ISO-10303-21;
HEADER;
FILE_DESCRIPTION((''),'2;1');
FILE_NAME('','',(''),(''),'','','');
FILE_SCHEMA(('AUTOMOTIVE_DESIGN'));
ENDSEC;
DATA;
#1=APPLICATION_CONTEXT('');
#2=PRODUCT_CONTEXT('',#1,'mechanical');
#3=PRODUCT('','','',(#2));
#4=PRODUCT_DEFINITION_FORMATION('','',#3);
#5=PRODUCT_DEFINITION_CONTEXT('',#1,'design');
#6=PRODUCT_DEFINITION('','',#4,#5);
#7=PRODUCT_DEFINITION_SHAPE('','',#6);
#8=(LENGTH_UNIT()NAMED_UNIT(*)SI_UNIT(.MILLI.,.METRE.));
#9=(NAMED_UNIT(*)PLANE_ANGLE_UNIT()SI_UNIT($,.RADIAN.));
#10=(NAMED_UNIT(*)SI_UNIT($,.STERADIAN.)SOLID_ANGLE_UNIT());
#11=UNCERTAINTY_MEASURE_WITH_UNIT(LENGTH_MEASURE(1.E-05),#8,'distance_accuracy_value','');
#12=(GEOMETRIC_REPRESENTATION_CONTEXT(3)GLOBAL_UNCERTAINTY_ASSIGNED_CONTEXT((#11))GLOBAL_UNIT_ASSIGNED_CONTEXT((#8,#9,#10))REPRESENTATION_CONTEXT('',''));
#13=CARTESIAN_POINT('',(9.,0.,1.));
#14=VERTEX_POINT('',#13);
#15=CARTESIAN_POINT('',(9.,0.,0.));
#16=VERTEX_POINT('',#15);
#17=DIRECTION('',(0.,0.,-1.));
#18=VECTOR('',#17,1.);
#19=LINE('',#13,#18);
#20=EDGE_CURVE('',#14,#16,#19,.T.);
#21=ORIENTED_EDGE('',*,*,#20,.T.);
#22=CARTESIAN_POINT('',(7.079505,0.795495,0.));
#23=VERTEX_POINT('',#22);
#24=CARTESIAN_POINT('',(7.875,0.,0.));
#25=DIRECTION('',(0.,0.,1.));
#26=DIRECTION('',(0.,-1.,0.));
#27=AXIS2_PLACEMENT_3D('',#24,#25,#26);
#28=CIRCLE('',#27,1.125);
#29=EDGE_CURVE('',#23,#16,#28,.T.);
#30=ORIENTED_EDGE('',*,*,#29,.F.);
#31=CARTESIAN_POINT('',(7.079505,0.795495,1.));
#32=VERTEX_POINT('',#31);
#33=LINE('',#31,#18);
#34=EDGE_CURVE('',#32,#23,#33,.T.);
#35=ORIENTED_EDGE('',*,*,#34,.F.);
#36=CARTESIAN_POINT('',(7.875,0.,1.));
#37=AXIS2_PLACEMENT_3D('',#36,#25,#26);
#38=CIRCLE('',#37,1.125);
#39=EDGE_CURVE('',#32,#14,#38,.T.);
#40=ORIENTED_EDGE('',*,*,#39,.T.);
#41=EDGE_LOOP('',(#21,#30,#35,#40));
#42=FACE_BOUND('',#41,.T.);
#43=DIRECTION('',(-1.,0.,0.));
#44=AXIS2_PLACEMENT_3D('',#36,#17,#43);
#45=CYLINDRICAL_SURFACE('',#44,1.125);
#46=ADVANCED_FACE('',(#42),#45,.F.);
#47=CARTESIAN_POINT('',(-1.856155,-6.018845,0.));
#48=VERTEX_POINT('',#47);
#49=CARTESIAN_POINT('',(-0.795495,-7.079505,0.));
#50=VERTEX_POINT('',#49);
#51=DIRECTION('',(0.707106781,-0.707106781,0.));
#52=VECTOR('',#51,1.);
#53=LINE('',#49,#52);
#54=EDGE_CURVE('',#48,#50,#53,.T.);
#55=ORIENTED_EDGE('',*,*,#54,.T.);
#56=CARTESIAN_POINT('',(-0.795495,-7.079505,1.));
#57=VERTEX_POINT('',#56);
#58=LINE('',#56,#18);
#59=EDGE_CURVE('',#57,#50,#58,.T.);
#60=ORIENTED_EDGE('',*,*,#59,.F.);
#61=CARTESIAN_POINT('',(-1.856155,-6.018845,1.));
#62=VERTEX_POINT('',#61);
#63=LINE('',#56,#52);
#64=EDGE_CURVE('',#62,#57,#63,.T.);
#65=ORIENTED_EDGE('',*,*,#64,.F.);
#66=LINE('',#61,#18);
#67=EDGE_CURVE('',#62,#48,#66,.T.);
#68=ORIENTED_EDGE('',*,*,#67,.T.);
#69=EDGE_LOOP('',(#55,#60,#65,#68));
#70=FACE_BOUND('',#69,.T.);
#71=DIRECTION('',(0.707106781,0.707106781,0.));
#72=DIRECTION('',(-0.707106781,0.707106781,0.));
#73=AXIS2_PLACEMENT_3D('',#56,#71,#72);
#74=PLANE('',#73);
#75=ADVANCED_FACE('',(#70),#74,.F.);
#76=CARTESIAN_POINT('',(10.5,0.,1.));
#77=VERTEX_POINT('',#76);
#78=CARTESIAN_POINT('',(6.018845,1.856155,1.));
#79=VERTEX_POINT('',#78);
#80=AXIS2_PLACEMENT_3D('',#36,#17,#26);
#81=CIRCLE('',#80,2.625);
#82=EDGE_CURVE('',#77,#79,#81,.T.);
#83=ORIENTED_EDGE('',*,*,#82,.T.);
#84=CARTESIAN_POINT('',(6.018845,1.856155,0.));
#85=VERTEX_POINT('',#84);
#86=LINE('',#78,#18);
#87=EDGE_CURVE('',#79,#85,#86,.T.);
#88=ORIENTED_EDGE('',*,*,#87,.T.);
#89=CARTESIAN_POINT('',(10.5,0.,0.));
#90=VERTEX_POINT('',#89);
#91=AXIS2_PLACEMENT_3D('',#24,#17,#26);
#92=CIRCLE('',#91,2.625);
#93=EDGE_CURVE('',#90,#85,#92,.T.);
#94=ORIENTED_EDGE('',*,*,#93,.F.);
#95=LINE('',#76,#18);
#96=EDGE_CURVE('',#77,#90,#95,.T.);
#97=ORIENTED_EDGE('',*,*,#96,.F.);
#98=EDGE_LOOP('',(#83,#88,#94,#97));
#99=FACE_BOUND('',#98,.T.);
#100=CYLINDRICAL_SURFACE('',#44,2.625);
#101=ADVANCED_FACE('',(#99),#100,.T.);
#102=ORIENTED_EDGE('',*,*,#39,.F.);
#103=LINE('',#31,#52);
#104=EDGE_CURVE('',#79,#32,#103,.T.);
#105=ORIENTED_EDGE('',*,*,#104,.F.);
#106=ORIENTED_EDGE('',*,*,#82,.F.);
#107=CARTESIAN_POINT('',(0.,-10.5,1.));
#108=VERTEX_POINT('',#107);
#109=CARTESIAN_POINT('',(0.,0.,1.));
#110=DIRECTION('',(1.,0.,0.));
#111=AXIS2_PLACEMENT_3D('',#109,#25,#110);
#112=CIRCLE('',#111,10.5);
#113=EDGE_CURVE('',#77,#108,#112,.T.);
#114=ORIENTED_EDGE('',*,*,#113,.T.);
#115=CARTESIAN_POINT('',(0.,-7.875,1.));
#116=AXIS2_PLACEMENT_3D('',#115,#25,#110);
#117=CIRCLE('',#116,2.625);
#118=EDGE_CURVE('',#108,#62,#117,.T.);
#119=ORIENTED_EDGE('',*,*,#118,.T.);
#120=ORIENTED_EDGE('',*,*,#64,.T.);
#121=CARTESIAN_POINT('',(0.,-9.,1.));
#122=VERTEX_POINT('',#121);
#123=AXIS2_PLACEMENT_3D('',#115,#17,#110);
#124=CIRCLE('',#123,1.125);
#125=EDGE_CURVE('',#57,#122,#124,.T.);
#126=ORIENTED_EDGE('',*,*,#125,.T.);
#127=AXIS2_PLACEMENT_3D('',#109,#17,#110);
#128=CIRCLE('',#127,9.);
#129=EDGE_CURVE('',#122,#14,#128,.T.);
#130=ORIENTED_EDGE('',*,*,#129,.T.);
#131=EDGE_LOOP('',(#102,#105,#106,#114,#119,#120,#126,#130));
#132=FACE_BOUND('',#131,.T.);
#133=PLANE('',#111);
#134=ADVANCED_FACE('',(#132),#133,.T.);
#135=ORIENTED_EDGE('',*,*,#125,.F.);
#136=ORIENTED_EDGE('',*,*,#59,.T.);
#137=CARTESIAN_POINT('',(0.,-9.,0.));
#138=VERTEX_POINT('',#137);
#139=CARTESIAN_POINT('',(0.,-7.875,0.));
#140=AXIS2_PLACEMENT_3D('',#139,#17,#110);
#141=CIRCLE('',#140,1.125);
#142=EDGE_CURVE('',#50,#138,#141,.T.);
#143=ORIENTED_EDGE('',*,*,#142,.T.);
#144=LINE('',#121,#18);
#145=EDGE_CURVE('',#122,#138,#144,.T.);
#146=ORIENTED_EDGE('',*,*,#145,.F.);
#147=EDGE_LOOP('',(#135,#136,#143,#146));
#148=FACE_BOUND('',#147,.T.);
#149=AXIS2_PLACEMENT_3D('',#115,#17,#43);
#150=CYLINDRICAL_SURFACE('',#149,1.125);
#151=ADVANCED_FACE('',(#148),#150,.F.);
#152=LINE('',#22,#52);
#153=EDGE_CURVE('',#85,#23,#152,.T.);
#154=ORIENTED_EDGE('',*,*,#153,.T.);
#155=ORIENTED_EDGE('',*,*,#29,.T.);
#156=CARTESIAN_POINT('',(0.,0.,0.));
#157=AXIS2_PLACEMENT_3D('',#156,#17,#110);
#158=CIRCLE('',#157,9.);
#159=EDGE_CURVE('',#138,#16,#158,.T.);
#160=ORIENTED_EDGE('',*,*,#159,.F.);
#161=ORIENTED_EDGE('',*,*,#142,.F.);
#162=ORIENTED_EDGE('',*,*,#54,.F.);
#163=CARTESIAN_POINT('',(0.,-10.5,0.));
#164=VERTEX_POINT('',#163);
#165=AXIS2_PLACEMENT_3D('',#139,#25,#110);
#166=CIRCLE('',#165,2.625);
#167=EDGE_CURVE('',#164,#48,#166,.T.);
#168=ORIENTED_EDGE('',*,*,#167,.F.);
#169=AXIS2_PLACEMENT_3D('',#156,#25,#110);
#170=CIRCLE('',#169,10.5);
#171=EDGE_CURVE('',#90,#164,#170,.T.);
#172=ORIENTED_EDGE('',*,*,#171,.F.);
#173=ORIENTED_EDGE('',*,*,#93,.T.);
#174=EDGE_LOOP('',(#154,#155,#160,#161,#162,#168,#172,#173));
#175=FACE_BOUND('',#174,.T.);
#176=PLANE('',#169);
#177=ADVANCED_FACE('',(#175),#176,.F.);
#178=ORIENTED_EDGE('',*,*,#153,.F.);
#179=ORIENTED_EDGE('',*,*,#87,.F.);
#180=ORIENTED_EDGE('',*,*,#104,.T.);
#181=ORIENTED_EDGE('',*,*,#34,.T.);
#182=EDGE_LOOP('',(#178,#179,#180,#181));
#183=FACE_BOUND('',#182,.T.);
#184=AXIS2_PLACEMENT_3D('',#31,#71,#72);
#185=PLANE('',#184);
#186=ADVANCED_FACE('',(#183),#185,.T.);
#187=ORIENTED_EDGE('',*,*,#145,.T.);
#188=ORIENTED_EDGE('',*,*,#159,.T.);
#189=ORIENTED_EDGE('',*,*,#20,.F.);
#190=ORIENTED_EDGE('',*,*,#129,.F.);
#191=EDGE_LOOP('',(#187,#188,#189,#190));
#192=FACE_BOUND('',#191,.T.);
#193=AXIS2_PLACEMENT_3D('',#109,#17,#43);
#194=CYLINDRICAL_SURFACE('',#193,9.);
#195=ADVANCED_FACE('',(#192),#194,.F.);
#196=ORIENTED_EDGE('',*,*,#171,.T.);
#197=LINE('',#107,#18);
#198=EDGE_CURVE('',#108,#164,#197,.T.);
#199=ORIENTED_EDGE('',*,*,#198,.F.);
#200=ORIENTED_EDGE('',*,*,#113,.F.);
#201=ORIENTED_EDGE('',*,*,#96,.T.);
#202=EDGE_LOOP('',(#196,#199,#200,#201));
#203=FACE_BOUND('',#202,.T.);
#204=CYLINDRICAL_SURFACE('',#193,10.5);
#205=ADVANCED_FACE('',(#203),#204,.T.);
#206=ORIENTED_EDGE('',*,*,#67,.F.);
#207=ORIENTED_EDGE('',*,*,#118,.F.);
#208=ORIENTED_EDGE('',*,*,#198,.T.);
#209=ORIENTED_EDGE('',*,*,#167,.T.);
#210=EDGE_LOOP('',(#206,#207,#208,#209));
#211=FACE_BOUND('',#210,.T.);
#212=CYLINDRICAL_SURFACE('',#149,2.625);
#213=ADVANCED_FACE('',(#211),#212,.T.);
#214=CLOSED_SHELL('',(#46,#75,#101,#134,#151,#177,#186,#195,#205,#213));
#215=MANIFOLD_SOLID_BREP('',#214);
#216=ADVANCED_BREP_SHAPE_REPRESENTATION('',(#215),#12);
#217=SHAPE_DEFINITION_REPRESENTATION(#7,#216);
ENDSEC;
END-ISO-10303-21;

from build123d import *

# Parameters (mm, degrees)
SALIENTE_EXTRUIR1_DEPTH = 1


with BuildPart() as part:
    # Croquis1 → Saliente-Extruir1 (new body)
    with BuildSketch(Plane.XY):
        with BuildLine():
            Line((-0.795495129, -7.079504871), (-1.856155301, -6.018844699))
            ThreePointArc((-1.856155301, -6.018844699), (2.425183773, -6.87045599), (0, -10.5))
            ThreePointArc((0, -10.5), (-9.700735091, -4.01817604), (-7.424621202, 7.424621202))
            Line((-7.424621202, 7.424621202), (-6.363961031, 6.363961031))
            ThreePointArc((-6.363961031, 6.363961031), (-8.314915793, -3.444150891), (0, -9))
            ThreePointArc((0, -9), (1.039364474, -7.444481139), (-0.795495129, -7.079504871))
        make_face()
    saliente_extruir1 = extrude(amount=SALIENTE_EXTRUIR1_DEPTH)

    # Simetría1: Saliente-Extruir1 across plane
    add(saliente_extruir1.mirror(Plane(origin=(-6.363961031, 6.363961031, 1), x_dir=(0, 0, 1), z_dir=(-0.7071067811865474, -0.7071067811865478, 0))))


solid = part.part
